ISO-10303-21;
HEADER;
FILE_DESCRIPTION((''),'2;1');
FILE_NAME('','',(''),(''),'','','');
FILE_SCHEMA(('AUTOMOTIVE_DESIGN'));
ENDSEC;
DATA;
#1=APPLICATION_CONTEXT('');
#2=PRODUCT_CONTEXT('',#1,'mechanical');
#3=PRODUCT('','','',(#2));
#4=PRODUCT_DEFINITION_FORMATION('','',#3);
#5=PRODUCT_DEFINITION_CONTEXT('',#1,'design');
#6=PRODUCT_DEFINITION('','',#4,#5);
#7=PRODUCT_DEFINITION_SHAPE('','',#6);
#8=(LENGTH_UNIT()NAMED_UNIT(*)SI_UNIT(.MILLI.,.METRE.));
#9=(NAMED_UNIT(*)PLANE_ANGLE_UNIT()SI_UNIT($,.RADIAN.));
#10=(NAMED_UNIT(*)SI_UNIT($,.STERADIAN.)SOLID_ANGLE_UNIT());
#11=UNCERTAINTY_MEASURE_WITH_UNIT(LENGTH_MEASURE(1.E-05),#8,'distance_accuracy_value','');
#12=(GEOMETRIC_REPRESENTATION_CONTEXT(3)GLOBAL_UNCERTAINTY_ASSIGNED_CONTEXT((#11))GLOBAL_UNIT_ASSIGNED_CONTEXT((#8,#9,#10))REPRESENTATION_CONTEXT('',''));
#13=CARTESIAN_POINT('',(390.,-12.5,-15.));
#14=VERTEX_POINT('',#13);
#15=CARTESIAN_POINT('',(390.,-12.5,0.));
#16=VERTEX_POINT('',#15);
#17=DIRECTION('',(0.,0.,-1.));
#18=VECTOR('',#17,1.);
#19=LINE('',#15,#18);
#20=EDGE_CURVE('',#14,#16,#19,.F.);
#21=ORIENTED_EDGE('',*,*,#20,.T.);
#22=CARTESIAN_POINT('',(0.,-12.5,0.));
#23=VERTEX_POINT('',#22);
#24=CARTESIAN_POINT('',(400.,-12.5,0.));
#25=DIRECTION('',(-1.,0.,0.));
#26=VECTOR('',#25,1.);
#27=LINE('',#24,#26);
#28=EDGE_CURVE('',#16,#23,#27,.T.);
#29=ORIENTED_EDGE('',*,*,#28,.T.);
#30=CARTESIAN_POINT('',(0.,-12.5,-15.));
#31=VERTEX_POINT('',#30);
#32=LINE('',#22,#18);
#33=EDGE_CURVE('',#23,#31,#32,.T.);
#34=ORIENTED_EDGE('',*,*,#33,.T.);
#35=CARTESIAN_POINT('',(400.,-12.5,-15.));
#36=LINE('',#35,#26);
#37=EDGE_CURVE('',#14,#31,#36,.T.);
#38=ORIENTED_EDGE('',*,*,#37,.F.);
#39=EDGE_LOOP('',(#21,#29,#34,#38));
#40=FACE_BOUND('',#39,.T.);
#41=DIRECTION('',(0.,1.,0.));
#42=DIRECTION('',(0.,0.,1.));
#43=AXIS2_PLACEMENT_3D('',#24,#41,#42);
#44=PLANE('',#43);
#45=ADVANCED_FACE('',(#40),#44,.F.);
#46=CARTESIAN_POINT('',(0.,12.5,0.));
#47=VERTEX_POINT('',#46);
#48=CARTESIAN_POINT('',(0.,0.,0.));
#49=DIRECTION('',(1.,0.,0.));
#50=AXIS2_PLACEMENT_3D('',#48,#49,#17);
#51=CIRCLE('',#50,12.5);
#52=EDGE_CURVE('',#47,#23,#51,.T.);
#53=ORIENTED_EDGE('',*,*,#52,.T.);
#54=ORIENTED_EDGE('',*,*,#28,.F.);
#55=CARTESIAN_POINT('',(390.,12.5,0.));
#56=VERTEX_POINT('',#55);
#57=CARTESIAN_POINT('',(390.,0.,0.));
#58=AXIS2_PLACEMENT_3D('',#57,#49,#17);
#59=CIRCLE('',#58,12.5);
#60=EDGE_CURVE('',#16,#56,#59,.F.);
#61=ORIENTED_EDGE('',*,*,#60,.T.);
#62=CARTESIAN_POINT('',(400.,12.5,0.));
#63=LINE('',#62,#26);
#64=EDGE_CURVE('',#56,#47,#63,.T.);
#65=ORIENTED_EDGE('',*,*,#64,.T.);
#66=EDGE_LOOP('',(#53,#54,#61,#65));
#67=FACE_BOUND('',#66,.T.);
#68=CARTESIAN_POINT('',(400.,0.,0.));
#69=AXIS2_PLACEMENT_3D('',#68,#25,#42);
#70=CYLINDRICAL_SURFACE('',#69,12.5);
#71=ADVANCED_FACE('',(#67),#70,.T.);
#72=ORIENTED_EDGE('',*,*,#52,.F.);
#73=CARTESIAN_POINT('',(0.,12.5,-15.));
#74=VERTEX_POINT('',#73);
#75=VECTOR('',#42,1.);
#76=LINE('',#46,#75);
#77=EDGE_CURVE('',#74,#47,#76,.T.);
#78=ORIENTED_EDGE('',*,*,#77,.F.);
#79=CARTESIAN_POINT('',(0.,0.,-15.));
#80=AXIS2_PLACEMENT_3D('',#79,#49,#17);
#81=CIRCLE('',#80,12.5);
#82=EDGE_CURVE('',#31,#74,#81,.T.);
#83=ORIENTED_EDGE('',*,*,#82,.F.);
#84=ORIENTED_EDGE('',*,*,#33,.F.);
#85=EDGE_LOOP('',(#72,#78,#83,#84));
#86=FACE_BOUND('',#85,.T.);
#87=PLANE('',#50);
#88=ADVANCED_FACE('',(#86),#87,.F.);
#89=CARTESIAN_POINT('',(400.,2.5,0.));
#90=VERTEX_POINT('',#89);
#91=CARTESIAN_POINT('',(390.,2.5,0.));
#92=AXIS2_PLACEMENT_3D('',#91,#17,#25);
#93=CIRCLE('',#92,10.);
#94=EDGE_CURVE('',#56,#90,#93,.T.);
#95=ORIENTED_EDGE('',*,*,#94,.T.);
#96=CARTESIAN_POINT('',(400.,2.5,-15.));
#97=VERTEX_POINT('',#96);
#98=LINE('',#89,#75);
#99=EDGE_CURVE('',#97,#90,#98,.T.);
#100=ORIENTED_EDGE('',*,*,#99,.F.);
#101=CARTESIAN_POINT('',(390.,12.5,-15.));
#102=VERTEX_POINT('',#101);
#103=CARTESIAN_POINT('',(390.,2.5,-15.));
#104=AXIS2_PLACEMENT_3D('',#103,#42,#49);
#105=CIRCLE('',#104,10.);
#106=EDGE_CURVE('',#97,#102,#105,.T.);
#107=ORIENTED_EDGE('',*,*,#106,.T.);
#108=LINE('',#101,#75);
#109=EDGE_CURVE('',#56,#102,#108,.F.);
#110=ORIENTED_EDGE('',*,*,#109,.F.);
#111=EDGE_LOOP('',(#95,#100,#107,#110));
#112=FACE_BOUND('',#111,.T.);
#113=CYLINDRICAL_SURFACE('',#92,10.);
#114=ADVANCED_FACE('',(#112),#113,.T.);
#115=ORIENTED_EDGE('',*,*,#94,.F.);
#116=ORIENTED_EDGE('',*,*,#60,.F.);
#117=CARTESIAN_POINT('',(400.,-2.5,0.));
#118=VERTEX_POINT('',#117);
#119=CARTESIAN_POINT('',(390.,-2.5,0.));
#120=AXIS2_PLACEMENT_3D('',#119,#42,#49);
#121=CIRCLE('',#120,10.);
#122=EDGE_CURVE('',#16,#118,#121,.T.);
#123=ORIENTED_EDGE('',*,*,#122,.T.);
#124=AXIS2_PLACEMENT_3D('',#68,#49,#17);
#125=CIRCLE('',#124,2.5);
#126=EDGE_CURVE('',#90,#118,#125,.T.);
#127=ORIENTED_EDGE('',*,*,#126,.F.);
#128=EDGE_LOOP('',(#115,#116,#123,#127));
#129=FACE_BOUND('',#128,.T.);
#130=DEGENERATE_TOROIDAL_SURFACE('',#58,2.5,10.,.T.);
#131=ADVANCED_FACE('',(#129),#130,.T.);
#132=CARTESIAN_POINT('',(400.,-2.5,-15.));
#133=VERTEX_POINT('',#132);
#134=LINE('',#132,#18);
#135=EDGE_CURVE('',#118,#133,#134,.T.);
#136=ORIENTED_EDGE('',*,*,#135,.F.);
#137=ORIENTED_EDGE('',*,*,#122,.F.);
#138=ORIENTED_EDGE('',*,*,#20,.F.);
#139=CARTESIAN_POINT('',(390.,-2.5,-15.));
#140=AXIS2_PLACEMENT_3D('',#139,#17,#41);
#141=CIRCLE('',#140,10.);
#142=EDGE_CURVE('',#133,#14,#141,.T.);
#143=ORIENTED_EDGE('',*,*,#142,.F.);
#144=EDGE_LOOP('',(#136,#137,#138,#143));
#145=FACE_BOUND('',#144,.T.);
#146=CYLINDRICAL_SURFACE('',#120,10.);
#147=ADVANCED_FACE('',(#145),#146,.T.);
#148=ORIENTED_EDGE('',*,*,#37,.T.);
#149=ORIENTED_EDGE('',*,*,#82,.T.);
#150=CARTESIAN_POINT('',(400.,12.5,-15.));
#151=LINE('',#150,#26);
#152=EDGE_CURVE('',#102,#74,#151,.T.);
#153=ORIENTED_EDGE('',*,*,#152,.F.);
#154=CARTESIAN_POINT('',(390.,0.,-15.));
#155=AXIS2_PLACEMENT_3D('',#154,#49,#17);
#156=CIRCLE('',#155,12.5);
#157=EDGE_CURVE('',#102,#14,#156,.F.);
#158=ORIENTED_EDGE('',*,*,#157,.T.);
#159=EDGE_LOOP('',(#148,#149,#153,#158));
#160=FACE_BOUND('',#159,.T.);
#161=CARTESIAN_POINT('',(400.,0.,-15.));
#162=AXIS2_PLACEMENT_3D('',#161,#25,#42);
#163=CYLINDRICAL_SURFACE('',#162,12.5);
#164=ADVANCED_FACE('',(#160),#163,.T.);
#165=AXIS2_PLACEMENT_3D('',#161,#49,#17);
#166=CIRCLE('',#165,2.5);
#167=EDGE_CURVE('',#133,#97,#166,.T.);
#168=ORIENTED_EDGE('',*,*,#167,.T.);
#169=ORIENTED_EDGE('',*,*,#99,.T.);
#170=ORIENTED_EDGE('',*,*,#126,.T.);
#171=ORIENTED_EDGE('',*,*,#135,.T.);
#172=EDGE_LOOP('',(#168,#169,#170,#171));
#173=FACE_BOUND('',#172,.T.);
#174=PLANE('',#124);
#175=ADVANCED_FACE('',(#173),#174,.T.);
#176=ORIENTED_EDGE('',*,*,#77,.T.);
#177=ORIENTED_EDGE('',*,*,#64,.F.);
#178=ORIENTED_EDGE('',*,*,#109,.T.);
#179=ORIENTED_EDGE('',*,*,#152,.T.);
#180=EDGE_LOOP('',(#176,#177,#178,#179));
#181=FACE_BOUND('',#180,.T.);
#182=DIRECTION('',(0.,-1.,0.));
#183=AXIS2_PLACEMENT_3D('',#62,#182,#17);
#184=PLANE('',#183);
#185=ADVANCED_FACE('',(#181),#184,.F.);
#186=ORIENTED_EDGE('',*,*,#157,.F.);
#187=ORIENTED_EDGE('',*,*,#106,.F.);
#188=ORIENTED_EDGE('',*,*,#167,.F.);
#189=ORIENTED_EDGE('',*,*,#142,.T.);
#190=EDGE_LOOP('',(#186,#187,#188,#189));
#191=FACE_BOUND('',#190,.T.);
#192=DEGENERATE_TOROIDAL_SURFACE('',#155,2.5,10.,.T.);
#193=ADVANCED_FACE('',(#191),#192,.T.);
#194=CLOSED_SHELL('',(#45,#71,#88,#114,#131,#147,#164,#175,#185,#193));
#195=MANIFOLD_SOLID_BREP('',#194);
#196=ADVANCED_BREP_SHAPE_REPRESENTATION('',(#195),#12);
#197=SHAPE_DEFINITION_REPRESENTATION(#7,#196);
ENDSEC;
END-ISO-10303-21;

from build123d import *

# Parameters (mm, degrees)
SALIENTE_EXTRUIR1_DEPTH = 400
REDONDEO1_R             = 10


with BuildPart() as part:
    # Croquis1 → Saliente-Extruir1 (new body)
    with BuildSketch(Plane(origin=(0, 0, 0), x_dir=(0, 0, -1), z_dir=(1, 0, 0))):
        with BuildLine():
            Line((0, 12.5), (15, 12.5))
            ThreePointArc((15, 12.5), (27.5, 0), (15, -12.5))
            Line((15, -12.5), (0, -12.5))
            ThreePointArc((0, -12.5), (-12.5, 0), (0, 12.5))
        make_face()
    extrude(amount=SALIENTE_EXTRUIR1_DEPTH)

    # Redondeo1
    redondeo1_edges = [part.edges().sort_by_distance(p)[0] for p in [
        (400, 0, -27.5),
        (400, 12.5, -7.5),
        (400, 0, 12.5),
        (400, -12.5, -7.5),
    ]]
    fillet(redondeo1_edges, radius=REDONDEO1_R)


solid = part.part
